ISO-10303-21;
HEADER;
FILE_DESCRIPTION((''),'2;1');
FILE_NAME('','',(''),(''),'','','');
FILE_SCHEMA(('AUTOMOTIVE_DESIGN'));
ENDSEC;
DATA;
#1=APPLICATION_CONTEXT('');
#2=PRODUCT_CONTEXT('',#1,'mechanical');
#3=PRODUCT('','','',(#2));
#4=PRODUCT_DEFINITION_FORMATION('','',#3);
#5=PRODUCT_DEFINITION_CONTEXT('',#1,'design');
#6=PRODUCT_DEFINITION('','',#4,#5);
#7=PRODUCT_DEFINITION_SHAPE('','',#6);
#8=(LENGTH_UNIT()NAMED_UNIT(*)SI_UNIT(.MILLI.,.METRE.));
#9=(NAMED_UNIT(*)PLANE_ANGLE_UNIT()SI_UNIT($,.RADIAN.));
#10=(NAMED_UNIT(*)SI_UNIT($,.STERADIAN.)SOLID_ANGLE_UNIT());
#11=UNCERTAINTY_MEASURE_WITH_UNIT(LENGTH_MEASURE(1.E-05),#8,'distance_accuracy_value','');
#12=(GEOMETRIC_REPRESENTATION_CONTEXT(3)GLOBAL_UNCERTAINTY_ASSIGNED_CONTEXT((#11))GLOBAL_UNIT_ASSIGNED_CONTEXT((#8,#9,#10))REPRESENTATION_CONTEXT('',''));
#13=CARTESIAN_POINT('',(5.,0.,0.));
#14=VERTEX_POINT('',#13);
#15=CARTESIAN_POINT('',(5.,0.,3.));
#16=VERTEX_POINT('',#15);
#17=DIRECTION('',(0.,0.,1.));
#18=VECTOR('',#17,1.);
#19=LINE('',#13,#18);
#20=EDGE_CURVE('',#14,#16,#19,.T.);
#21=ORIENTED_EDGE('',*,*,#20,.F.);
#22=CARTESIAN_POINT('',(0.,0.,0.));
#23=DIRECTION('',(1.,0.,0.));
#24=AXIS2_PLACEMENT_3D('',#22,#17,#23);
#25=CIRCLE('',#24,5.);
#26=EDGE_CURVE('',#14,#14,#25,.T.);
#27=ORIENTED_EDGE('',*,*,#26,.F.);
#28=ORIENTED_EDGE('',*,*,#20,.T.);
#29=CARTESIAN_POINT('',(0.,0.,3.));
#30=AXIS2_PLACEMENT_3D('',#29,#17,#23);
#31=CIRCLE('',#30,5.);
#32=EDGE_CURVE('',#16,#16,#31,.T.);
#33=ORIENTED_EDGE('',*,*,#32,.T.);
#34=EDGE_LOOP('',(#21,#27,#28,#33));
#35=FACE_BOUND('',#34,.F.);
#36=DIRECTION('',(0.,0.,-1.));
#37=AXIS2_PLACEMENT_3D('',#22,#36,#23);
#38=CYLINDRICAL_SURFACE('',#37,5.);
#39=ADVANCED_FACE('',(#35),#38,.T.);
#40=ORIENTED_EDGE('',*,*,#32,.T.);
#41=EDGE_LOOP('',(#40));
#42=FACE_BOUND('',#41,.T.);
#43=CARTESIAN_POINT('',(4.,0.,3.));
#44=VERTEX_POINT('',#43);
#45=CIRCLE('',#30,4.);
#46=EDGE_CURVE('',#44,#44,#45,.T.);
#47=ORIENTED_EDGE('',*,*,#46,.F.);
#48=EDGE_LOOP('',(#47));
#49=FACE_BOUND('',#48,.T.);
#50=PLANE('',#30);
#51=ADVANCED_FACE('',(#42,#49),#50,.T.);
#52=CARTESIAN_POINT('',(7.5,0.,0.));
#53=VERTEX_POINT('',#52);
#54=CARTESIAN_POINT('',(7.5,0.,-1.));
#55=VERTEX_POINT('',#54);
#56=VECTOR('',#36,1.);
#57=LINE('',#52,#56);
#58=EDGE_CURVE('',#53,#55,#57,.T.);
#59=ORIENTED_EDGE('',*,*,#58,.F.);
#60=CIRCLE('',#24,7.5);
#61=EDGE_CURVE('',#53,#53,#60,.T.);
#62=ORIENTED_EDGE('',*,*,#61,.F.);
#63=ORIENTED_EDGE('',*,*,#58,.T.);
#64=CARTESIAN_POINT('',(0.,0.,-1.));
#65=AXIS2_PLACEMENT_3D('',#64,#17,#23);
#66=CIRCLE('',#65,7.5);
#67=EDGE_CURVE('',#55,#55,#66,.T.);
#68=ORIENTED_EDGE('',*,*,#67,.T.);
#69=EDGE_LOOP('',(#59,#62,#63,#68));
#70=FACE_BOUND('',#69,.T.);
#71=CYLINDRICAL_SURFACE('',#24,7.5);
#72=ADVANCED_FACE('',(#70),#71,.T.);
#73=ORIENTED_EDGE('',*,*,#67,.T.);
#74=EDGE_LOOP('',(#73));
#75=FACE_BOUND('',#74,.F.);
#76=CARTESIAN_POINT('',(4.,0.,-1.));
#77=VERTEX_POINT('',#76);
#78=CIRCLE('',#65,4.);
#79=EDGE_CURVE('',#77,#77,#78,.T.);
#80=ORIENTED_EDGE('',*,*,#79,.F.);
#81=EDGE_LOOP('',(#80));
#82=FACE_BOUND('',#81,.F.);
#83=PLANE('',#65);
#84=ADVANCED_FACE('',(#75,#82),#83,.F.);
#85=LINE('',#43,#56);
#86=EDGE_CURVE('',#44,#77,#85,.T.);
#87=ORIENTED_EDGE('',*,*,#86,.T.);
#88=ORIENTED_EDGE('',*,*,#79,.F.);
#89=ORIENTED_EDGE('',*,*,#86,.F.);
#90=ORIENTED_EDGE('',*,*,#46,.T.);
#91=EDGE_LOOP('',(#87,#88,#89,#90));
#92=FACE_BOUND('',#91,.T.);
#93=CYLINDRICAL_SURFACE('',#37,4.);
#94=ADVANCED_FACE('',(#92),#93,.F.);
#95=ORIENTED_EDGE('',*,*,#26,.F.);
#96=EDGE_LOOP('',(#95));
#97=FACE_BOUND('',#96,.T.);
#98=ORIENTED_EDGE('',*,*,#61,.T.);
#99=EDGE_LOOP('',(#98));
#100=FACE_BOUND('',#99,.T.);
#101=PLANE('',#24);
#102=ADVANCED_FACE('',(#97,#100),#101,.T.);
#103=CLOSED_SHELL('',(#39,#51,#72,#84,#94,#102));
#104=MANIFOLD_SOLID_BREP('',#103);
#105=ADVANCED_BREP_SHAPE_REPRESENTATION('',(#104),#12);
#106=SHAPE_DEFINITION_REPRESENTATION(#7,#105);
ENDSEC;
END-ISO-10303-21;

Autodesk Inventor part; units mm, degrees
ref_plane "YZ Plane" through (0, 0, 0) normal (1, 0, 0) x (0, 1, 0)
ref_plane "XZ Plane" through (0, 0, 0) normal (0, 1, 0) x (-1, 0, 0)
ref_plane "XY Plane" through (0, 0, 0) normal (0, 0, 1) x (1, 0, 0)
sketch "スケッチ1" plane through (0, 0, 0) normal (0, 0, 1) x (1, 0, 0)
  circle A0 centre (0, 0) radius 7.5
  circle A1 centre (0, 0) radius 5
  circle A2 centre (0, 0) radius 4
  dimension "d0" = 15
  dimension "d1" = 10
  dimension "d2" = 8
extrude "押し出し1" add sketch "スケッチ1" along normal blind 3 contours A1
extrude "押し出し2" add sketch "スケッチ1" against normal blind 1 contours A0 | A1
properties part number "オイレス　m4　8-6　フランジ付き　l=3" material "アセタール樹脂、黒"
